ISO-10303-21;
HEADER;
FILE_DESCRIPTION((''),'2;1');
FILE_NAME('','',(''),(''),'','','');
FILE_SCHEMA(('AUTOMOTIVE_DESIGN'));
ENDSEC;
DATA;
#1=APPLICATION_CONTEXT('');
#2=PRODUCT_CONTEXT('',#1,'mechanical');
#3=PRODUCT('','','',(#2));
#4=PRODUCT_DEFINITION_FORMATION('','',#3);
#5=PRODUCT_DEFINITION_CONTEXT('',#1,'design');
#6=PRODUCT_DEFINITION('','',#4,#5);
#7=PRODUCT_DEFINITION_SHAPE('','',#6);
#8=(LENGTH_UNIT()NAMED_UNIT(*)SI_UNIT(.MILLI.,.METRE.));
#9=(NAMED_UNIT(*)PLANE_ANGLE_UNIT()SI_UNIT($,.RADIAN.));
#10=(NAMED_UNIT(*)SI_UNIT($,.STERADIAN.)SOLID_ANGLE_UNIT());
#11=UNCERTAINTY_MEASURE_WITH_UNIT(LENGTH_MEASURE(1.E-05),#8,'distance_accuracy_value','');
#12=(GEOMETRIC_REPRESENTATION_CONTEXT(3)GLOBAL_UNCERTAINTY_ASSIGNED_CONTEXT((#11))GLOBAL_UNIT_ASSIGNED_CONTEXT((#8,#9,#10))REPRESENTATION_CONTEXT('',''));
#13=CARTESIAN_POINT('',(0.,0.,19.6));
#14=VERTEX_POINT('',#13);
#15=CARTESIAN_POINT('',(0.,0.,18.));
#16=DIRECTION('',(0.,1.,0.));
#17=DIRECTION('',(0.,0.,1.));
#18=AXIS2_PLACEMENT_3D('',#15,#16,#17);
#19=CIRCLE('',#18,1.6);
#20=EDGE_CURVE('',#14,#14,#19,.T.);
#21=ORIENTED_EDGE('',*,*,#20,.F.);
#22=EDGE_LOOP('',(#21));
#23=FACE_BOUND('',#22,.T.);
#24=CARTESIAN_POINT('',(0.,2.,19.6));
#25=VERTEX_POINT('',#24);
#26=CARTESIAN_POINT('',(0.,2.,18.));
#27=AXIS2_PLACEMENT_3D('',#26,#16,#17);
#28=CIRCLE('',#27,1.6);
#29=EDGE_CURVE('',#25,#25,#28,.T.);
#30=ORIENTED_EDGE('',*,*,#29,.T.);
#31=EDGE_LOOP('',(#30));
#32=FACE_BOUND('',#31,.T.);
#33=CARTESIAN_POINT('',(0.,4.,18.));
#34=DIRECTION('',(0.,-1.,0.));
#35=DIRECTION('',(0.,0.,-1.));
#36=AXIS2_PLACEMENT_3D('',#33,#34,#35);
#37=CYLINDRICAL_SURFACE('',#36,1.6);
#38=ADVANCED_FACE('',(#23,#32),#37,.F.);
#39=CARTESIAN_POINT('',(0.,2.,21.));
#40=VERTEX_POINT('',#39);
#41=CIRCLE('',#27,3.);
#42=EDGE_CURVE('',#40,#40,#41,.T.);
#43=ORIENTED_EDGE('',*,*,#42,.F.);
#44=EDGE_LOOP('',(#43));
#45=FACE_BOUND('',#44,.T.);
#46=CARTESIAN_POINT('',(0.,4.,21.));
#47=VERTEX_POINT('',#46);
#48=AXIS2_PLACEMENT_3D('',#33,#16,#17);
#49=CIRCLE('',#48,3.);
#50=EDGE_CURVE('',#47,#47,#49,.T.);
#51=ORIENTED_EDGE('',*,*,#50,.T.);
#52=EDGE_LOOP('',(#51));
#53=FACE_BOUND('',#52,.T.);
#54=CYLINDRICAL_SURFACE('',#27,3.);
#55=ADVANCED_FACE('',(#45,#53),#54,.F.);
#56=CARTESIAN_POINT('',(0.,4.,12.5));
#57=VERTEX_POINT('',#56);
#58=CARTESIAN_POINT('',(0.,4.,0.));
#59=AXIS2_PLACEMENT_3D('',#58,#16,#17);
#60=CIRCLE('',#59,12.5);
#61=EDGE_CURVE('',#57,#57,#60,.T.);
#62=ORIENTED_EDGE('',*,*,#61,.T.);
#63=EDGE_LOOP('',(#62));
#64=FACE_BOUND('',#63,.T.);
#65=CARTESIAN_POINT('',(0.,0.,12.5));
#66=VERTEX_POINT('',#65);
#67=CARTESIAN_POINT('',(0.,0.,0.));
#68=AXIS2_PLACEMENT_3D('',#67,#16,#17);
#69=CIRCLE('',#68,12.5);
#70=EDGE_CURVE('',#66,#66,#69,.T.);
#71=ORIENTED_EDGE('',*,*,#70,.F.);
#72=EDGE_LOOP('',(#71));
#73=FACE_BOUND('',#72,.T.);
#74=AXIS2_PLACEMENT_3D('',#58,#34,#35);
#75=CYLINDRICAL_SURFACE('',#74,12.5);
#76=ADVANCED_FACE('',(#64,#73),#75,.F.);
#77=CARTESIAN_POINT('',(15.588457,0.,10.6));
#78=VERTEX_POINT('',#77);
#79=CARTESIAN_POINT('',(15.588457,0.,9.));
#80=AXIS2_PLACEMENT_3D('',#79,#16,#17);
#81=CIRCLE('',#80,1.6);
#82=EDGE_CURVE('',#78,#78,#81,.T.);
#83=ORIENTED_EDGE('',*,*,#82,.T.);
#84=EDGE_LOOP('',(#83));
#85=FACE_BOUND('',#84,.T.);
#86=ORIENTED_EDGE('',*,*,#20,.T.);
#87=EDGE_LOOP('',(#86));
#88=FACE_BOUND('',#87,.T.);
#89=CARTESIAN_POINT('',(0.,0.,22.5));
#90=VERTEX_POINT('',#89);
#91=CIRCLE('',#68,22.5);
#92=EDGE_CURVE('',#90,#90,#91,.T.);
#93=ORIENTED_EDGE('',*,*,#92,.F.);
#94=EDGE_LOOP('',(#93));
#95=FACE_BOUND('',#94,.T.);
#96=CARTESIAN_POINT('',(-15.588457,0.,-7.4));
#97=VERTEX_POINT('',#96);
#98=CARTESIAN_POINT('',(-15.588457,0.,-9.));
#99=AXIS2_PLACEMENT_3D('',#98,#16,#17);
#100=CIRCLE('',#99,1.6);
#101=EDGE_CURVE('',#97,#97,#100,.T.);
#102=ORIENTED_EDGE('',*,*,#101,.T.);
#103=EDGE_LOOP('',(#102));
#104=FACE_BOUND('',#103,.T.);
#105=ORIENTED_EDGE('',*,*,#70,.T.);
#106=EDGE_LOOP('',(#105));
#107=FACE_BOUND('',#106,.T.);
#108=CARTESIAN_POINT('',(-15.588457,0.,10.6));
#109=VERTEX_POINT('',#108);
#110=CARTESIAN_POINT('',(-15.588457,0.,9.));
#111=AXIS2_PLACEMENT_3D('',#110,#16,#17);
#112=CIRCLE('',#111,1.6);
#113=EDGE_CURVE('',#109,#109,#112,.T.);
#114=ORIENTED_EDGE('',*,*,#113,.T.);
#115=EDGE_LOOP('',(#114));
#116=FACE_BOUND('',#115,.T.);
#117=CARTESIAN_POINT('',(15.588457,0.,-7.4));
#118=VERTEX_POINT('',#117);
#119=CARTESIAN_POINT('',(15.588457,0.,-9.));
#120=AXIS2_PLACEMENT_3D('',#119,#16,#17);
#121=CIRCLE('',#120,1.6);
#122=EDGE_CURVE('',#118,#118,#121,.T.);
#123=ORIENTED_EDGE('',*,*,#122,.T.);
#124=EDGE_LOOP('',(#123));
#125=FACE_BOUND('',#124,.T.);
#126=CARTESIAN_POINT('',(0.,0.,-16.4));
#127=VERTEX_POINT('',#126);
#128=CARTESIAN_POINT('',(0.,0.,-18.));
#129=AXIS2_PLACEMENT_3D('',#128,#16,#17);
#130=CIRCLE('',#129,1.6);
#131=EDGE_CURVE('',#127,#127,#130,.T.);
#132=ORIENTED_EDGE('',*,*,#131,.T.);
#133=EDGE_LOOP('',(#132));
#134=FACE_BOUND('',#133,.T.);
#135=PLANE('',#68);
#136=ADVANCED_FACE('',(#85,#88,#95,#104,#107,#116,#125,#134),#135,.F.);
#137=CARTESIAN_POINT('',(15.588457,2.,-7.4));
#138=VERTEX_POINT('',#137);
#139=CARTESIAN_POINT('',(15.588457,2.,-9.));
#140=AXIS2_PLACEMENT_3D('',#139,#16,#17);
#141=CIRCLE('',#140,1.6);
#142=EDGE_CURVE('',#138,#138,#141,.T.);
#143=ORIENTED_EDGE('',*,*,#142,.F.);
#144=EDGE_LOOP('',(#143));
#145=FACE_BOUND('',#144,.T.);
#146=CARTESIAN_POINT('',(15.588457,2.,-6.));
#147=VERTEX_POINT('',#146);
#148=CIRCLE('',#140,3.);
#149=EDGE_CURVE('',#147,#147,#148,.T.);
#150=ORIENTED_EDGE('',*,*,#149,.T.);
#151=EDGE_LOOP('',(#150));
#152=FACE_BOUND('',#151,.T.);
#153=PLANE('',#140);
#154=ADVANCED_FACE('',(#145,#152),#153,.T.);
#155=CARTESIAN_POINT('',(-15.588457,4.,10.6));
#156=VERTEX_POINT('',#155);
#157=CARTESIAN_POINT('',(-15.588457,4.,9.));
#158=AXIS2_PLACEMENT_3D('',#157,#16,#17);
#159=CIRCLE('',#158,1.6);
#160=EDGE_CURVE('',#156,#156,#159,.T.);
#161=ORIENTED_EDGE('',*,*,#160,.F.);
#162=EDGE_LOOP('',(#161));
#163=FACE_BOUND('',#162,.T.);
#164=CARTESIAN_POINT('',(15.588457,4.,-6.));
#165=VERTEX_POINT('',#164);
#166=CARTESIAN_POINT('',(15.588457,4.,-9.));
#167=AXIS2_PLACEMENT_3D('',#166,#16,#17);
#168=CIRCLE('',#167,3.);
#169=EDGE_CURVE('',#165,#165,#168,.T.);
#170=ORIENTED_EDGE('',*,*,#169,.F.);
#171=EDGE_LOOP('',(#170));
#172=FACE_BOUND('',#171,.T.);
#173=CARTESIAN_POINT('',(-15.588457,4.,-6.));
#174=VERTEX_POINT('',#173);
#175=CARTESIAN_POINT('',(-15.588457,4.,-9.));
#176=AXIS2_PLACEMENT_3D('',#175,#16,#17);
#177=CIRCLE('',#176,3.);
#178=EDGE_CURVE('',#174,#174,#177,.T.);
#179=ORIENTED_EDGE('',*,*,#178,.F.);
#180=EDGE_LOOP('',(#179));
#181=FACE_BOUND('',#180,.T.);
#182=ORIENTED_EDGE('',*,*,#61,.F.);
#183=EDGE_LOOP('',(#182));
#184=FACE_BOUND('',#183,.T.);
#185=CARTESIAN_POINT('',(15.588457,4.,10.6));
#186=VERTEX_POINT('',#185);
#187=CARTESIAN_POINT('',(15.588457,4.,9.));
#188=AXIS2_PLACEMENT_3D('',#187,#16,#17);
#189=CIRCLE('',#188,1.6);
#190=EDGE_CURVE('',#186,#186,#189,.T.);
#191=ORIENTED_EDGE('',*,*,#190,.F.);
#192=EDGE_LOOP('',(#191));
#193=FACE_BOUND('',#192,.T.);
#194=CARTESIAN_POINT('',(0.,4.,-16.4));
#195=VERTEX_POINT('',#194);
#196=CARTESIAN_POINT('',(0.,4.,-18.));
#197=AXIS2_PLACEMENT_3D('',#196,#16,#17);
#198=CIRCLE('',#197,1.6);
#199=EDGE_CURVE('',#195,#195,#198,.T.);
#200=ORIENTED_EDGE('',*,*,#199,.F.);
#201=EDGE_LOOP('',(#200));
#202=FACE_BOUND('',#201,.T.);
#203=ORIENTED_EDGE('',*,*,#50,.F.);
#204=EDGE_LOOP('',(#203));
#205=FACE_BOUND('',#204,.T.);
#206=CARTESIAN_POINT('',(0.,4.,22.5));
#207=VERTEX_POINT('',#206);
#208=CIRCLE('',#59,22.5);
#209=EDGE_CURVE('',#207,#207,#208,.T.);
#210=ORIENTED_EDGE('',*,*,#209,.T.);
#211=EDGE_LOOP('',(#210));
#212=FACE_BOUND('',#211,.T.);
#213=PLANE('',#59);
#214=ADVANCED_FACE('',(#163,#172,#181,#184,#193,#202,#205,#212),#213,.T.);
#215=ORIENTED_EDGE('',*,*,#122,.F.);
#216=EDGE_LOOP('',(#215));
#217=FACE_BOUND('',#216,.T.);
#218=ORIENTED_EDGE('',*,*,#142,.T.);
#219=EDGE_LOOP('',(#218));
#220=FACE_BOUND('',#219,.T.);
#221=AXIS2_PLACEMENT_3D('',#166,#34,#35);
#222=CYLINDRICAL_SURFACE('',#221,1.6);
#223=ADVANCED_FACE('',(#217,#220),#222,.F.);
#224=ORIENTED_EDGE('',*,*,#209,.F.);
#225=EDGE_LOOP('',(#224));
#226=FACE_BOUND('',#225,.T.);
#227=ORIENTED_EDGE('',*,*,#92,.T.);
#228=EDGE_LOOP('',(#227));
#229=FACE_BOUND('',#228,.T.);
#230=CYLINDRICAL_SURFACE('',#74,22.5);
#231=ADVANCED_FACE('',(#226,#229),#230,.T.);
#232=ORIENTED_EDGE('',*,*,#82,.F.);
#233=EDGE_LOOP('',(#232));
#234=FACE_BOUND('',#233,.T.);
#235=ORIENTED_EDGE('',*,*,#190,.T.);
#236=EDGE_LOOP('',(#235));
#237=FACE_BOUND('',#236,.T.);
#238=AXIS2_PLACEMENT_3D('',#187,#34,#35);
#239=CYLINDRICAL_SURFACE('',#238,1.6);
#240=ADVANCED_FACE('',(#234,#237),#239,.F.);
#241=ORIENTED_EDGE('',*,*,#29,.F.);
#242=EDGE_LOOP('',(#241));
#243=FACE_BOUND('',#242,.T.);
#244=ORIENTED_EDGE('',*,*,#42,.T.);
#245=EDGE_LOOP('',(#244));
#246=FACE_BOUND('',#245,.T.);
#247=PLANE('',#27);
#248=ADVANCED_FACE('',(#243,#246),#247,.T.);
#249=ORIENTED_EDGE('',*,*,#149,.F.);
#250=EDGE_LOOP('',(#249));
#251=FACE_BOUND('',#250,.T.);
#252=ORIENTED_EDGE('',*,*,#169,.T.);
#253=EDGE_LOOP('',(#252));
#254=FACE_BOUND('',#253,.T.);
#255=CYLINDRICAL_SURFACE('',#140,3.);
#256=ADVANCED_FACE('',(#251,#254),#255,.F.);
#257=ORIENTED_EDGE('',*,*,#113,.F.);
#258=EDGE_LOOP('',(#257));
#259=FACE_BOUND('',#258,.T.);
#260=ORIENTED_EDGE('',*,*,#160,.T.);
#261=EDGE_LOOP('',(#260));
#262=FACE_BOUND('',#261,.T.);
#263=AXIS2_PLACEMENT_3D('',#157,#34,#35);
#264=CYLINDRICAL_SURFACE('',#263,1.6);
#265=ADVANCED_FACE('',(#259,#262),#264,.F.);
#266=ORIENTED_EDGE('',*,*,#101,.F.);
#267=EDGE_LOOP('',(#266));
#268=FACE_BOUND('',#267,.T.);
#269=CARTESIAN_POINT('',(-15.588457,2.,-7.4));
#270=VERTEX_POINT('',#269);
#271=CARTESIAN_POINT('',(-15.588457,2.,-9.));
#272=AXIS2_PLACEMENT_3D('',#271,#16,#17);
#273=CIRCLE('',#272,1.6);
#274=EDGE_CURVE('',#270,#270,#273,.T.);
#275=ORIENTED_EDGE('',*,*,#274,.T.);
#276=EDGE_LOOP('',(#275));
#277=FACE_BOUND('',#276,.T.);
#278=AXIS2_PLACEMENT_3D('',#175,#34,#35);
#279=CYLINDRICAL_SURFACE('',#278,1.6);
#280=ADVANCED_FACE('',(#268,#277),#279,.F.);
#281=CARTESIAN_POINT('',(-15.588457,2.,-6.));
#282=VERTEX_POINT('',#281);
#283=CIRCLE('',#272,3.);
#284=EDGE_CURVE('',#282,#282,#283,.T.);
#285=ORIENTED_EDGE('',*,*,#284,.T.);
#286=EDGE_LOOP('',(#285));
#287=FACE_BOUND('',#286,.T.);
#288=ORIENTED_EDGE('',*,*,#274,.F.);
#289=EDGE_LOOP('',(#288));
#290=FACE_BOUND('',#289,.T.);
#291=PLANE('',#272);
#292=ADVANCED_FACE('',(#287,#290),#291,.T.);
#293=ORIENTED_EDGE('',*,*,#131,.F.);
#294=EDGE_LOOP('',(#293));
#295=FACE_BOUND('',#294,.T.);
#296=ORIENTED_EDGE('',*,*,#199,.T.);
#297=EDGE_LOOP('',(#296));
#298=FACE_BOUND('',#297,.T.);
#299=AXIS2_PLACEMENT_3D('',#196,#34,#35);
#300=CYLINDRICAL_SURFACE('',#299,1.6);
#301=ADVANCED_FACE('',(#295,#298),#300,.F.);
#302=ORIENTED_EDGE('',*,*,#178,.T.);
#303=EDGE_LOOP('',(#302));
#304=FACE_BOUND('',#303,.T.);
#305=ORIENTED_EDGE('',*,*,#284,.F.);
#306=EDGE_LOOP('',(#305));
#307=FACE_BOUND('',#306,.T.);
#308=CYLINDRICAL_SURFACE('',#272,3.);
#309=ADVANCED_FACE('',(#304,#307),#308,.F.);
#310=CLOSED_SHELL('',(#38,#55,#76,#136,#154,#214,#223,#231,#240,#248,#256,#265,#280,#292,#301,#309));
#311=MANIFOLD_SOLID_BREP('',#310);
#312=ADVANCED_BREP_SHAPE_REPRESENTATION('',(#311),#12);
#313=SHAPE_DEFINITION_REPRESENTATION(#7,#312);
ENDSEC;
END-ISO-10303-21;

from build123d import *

# Parameters (mm, degrees)
SKETCH1_R           = 22.5
SKETCH1_R_2         = 1.6
SKETCH1_R_3         = 12.5
BOSS_EXTRUDE1_DEPTH = 4
SKETCH2_R           = 3
CUT_EXTRUDE1_DEPTH  = 2


with BuildPart() as part:
    # Sketch1 → Boss-Extrude1 (new body)
    with BuildSketch(Plane(origin=(0, 0, 0), x_dir=(1, 0, 0), z_dir=(0, 1, 0))):
        with Locations(Location((0, 0, 0), (0, 0, 270))):
            Circle(SKETCH1_R)
        with Locations(Location((0, 18, 0), (0, 0, 270))):
            Circle(SKETCH1_R_2, mode=Mode.SUBTRACT)
        with Locations(Location((15.588457268, 9, 0), (0, 0, 270))):
            Circle(SKETCH1_R_2, mode=Mode.SUBTRACT)
        with Locations(Location((15.588457268, -9, 0), (0, 0, 270))):
            Circle(SKETCH1_R_2, mode=Mode.SUBTRACT)
        with Locations(Location((0, -18, 0), (0, 0, 270))):
            Circle(SKETCH1_R_2, mode=Mode.SUBTRACT)
        with Locations(Location((-15.588457268, -9, 0), (0, 0, 270))):
            Circle(SKETCH1_R_2, mode=Mode.SUBTRACT)
        with Locations(Location((-15.588457268, 9, 0), (0, 0, 270))):
            Circle(SKETCH1_R_2, mode=Mode.SUBTRACT)
        with Locations(Location((0, 0, 0), (0, 0, 270))):
            Circle(SKETCH1_R_3, mode=Mode.SUBTRACT)
    extrude(amount=BOSS_EXTRUDE1_DEPTH)

    # Sketch2 → Cut-Extrude1 (cut)
    with BuildSketch(Plane(origin=(0, 4, 0), x_dir=(1, 0, 0), z_dir=(0, 1, 0))):
        with Locations(Location((-15.588457268, 9, 0), (0, 0, 270))):
            Circle(SKETCH2_R)
        with Locations(Location((15.588457268, 9, 0), (0, 0, 270))):
            Circle(SKETCH2_R)
        with Locations(Location((0, -18, 0), (0, 0, 270))):
            Circle(SKETCH2_R)
    extrude(amount=-CUT_EXTRUDE1_DEPTH, mode=Mode.SUBTRACT)


solid = part.part
